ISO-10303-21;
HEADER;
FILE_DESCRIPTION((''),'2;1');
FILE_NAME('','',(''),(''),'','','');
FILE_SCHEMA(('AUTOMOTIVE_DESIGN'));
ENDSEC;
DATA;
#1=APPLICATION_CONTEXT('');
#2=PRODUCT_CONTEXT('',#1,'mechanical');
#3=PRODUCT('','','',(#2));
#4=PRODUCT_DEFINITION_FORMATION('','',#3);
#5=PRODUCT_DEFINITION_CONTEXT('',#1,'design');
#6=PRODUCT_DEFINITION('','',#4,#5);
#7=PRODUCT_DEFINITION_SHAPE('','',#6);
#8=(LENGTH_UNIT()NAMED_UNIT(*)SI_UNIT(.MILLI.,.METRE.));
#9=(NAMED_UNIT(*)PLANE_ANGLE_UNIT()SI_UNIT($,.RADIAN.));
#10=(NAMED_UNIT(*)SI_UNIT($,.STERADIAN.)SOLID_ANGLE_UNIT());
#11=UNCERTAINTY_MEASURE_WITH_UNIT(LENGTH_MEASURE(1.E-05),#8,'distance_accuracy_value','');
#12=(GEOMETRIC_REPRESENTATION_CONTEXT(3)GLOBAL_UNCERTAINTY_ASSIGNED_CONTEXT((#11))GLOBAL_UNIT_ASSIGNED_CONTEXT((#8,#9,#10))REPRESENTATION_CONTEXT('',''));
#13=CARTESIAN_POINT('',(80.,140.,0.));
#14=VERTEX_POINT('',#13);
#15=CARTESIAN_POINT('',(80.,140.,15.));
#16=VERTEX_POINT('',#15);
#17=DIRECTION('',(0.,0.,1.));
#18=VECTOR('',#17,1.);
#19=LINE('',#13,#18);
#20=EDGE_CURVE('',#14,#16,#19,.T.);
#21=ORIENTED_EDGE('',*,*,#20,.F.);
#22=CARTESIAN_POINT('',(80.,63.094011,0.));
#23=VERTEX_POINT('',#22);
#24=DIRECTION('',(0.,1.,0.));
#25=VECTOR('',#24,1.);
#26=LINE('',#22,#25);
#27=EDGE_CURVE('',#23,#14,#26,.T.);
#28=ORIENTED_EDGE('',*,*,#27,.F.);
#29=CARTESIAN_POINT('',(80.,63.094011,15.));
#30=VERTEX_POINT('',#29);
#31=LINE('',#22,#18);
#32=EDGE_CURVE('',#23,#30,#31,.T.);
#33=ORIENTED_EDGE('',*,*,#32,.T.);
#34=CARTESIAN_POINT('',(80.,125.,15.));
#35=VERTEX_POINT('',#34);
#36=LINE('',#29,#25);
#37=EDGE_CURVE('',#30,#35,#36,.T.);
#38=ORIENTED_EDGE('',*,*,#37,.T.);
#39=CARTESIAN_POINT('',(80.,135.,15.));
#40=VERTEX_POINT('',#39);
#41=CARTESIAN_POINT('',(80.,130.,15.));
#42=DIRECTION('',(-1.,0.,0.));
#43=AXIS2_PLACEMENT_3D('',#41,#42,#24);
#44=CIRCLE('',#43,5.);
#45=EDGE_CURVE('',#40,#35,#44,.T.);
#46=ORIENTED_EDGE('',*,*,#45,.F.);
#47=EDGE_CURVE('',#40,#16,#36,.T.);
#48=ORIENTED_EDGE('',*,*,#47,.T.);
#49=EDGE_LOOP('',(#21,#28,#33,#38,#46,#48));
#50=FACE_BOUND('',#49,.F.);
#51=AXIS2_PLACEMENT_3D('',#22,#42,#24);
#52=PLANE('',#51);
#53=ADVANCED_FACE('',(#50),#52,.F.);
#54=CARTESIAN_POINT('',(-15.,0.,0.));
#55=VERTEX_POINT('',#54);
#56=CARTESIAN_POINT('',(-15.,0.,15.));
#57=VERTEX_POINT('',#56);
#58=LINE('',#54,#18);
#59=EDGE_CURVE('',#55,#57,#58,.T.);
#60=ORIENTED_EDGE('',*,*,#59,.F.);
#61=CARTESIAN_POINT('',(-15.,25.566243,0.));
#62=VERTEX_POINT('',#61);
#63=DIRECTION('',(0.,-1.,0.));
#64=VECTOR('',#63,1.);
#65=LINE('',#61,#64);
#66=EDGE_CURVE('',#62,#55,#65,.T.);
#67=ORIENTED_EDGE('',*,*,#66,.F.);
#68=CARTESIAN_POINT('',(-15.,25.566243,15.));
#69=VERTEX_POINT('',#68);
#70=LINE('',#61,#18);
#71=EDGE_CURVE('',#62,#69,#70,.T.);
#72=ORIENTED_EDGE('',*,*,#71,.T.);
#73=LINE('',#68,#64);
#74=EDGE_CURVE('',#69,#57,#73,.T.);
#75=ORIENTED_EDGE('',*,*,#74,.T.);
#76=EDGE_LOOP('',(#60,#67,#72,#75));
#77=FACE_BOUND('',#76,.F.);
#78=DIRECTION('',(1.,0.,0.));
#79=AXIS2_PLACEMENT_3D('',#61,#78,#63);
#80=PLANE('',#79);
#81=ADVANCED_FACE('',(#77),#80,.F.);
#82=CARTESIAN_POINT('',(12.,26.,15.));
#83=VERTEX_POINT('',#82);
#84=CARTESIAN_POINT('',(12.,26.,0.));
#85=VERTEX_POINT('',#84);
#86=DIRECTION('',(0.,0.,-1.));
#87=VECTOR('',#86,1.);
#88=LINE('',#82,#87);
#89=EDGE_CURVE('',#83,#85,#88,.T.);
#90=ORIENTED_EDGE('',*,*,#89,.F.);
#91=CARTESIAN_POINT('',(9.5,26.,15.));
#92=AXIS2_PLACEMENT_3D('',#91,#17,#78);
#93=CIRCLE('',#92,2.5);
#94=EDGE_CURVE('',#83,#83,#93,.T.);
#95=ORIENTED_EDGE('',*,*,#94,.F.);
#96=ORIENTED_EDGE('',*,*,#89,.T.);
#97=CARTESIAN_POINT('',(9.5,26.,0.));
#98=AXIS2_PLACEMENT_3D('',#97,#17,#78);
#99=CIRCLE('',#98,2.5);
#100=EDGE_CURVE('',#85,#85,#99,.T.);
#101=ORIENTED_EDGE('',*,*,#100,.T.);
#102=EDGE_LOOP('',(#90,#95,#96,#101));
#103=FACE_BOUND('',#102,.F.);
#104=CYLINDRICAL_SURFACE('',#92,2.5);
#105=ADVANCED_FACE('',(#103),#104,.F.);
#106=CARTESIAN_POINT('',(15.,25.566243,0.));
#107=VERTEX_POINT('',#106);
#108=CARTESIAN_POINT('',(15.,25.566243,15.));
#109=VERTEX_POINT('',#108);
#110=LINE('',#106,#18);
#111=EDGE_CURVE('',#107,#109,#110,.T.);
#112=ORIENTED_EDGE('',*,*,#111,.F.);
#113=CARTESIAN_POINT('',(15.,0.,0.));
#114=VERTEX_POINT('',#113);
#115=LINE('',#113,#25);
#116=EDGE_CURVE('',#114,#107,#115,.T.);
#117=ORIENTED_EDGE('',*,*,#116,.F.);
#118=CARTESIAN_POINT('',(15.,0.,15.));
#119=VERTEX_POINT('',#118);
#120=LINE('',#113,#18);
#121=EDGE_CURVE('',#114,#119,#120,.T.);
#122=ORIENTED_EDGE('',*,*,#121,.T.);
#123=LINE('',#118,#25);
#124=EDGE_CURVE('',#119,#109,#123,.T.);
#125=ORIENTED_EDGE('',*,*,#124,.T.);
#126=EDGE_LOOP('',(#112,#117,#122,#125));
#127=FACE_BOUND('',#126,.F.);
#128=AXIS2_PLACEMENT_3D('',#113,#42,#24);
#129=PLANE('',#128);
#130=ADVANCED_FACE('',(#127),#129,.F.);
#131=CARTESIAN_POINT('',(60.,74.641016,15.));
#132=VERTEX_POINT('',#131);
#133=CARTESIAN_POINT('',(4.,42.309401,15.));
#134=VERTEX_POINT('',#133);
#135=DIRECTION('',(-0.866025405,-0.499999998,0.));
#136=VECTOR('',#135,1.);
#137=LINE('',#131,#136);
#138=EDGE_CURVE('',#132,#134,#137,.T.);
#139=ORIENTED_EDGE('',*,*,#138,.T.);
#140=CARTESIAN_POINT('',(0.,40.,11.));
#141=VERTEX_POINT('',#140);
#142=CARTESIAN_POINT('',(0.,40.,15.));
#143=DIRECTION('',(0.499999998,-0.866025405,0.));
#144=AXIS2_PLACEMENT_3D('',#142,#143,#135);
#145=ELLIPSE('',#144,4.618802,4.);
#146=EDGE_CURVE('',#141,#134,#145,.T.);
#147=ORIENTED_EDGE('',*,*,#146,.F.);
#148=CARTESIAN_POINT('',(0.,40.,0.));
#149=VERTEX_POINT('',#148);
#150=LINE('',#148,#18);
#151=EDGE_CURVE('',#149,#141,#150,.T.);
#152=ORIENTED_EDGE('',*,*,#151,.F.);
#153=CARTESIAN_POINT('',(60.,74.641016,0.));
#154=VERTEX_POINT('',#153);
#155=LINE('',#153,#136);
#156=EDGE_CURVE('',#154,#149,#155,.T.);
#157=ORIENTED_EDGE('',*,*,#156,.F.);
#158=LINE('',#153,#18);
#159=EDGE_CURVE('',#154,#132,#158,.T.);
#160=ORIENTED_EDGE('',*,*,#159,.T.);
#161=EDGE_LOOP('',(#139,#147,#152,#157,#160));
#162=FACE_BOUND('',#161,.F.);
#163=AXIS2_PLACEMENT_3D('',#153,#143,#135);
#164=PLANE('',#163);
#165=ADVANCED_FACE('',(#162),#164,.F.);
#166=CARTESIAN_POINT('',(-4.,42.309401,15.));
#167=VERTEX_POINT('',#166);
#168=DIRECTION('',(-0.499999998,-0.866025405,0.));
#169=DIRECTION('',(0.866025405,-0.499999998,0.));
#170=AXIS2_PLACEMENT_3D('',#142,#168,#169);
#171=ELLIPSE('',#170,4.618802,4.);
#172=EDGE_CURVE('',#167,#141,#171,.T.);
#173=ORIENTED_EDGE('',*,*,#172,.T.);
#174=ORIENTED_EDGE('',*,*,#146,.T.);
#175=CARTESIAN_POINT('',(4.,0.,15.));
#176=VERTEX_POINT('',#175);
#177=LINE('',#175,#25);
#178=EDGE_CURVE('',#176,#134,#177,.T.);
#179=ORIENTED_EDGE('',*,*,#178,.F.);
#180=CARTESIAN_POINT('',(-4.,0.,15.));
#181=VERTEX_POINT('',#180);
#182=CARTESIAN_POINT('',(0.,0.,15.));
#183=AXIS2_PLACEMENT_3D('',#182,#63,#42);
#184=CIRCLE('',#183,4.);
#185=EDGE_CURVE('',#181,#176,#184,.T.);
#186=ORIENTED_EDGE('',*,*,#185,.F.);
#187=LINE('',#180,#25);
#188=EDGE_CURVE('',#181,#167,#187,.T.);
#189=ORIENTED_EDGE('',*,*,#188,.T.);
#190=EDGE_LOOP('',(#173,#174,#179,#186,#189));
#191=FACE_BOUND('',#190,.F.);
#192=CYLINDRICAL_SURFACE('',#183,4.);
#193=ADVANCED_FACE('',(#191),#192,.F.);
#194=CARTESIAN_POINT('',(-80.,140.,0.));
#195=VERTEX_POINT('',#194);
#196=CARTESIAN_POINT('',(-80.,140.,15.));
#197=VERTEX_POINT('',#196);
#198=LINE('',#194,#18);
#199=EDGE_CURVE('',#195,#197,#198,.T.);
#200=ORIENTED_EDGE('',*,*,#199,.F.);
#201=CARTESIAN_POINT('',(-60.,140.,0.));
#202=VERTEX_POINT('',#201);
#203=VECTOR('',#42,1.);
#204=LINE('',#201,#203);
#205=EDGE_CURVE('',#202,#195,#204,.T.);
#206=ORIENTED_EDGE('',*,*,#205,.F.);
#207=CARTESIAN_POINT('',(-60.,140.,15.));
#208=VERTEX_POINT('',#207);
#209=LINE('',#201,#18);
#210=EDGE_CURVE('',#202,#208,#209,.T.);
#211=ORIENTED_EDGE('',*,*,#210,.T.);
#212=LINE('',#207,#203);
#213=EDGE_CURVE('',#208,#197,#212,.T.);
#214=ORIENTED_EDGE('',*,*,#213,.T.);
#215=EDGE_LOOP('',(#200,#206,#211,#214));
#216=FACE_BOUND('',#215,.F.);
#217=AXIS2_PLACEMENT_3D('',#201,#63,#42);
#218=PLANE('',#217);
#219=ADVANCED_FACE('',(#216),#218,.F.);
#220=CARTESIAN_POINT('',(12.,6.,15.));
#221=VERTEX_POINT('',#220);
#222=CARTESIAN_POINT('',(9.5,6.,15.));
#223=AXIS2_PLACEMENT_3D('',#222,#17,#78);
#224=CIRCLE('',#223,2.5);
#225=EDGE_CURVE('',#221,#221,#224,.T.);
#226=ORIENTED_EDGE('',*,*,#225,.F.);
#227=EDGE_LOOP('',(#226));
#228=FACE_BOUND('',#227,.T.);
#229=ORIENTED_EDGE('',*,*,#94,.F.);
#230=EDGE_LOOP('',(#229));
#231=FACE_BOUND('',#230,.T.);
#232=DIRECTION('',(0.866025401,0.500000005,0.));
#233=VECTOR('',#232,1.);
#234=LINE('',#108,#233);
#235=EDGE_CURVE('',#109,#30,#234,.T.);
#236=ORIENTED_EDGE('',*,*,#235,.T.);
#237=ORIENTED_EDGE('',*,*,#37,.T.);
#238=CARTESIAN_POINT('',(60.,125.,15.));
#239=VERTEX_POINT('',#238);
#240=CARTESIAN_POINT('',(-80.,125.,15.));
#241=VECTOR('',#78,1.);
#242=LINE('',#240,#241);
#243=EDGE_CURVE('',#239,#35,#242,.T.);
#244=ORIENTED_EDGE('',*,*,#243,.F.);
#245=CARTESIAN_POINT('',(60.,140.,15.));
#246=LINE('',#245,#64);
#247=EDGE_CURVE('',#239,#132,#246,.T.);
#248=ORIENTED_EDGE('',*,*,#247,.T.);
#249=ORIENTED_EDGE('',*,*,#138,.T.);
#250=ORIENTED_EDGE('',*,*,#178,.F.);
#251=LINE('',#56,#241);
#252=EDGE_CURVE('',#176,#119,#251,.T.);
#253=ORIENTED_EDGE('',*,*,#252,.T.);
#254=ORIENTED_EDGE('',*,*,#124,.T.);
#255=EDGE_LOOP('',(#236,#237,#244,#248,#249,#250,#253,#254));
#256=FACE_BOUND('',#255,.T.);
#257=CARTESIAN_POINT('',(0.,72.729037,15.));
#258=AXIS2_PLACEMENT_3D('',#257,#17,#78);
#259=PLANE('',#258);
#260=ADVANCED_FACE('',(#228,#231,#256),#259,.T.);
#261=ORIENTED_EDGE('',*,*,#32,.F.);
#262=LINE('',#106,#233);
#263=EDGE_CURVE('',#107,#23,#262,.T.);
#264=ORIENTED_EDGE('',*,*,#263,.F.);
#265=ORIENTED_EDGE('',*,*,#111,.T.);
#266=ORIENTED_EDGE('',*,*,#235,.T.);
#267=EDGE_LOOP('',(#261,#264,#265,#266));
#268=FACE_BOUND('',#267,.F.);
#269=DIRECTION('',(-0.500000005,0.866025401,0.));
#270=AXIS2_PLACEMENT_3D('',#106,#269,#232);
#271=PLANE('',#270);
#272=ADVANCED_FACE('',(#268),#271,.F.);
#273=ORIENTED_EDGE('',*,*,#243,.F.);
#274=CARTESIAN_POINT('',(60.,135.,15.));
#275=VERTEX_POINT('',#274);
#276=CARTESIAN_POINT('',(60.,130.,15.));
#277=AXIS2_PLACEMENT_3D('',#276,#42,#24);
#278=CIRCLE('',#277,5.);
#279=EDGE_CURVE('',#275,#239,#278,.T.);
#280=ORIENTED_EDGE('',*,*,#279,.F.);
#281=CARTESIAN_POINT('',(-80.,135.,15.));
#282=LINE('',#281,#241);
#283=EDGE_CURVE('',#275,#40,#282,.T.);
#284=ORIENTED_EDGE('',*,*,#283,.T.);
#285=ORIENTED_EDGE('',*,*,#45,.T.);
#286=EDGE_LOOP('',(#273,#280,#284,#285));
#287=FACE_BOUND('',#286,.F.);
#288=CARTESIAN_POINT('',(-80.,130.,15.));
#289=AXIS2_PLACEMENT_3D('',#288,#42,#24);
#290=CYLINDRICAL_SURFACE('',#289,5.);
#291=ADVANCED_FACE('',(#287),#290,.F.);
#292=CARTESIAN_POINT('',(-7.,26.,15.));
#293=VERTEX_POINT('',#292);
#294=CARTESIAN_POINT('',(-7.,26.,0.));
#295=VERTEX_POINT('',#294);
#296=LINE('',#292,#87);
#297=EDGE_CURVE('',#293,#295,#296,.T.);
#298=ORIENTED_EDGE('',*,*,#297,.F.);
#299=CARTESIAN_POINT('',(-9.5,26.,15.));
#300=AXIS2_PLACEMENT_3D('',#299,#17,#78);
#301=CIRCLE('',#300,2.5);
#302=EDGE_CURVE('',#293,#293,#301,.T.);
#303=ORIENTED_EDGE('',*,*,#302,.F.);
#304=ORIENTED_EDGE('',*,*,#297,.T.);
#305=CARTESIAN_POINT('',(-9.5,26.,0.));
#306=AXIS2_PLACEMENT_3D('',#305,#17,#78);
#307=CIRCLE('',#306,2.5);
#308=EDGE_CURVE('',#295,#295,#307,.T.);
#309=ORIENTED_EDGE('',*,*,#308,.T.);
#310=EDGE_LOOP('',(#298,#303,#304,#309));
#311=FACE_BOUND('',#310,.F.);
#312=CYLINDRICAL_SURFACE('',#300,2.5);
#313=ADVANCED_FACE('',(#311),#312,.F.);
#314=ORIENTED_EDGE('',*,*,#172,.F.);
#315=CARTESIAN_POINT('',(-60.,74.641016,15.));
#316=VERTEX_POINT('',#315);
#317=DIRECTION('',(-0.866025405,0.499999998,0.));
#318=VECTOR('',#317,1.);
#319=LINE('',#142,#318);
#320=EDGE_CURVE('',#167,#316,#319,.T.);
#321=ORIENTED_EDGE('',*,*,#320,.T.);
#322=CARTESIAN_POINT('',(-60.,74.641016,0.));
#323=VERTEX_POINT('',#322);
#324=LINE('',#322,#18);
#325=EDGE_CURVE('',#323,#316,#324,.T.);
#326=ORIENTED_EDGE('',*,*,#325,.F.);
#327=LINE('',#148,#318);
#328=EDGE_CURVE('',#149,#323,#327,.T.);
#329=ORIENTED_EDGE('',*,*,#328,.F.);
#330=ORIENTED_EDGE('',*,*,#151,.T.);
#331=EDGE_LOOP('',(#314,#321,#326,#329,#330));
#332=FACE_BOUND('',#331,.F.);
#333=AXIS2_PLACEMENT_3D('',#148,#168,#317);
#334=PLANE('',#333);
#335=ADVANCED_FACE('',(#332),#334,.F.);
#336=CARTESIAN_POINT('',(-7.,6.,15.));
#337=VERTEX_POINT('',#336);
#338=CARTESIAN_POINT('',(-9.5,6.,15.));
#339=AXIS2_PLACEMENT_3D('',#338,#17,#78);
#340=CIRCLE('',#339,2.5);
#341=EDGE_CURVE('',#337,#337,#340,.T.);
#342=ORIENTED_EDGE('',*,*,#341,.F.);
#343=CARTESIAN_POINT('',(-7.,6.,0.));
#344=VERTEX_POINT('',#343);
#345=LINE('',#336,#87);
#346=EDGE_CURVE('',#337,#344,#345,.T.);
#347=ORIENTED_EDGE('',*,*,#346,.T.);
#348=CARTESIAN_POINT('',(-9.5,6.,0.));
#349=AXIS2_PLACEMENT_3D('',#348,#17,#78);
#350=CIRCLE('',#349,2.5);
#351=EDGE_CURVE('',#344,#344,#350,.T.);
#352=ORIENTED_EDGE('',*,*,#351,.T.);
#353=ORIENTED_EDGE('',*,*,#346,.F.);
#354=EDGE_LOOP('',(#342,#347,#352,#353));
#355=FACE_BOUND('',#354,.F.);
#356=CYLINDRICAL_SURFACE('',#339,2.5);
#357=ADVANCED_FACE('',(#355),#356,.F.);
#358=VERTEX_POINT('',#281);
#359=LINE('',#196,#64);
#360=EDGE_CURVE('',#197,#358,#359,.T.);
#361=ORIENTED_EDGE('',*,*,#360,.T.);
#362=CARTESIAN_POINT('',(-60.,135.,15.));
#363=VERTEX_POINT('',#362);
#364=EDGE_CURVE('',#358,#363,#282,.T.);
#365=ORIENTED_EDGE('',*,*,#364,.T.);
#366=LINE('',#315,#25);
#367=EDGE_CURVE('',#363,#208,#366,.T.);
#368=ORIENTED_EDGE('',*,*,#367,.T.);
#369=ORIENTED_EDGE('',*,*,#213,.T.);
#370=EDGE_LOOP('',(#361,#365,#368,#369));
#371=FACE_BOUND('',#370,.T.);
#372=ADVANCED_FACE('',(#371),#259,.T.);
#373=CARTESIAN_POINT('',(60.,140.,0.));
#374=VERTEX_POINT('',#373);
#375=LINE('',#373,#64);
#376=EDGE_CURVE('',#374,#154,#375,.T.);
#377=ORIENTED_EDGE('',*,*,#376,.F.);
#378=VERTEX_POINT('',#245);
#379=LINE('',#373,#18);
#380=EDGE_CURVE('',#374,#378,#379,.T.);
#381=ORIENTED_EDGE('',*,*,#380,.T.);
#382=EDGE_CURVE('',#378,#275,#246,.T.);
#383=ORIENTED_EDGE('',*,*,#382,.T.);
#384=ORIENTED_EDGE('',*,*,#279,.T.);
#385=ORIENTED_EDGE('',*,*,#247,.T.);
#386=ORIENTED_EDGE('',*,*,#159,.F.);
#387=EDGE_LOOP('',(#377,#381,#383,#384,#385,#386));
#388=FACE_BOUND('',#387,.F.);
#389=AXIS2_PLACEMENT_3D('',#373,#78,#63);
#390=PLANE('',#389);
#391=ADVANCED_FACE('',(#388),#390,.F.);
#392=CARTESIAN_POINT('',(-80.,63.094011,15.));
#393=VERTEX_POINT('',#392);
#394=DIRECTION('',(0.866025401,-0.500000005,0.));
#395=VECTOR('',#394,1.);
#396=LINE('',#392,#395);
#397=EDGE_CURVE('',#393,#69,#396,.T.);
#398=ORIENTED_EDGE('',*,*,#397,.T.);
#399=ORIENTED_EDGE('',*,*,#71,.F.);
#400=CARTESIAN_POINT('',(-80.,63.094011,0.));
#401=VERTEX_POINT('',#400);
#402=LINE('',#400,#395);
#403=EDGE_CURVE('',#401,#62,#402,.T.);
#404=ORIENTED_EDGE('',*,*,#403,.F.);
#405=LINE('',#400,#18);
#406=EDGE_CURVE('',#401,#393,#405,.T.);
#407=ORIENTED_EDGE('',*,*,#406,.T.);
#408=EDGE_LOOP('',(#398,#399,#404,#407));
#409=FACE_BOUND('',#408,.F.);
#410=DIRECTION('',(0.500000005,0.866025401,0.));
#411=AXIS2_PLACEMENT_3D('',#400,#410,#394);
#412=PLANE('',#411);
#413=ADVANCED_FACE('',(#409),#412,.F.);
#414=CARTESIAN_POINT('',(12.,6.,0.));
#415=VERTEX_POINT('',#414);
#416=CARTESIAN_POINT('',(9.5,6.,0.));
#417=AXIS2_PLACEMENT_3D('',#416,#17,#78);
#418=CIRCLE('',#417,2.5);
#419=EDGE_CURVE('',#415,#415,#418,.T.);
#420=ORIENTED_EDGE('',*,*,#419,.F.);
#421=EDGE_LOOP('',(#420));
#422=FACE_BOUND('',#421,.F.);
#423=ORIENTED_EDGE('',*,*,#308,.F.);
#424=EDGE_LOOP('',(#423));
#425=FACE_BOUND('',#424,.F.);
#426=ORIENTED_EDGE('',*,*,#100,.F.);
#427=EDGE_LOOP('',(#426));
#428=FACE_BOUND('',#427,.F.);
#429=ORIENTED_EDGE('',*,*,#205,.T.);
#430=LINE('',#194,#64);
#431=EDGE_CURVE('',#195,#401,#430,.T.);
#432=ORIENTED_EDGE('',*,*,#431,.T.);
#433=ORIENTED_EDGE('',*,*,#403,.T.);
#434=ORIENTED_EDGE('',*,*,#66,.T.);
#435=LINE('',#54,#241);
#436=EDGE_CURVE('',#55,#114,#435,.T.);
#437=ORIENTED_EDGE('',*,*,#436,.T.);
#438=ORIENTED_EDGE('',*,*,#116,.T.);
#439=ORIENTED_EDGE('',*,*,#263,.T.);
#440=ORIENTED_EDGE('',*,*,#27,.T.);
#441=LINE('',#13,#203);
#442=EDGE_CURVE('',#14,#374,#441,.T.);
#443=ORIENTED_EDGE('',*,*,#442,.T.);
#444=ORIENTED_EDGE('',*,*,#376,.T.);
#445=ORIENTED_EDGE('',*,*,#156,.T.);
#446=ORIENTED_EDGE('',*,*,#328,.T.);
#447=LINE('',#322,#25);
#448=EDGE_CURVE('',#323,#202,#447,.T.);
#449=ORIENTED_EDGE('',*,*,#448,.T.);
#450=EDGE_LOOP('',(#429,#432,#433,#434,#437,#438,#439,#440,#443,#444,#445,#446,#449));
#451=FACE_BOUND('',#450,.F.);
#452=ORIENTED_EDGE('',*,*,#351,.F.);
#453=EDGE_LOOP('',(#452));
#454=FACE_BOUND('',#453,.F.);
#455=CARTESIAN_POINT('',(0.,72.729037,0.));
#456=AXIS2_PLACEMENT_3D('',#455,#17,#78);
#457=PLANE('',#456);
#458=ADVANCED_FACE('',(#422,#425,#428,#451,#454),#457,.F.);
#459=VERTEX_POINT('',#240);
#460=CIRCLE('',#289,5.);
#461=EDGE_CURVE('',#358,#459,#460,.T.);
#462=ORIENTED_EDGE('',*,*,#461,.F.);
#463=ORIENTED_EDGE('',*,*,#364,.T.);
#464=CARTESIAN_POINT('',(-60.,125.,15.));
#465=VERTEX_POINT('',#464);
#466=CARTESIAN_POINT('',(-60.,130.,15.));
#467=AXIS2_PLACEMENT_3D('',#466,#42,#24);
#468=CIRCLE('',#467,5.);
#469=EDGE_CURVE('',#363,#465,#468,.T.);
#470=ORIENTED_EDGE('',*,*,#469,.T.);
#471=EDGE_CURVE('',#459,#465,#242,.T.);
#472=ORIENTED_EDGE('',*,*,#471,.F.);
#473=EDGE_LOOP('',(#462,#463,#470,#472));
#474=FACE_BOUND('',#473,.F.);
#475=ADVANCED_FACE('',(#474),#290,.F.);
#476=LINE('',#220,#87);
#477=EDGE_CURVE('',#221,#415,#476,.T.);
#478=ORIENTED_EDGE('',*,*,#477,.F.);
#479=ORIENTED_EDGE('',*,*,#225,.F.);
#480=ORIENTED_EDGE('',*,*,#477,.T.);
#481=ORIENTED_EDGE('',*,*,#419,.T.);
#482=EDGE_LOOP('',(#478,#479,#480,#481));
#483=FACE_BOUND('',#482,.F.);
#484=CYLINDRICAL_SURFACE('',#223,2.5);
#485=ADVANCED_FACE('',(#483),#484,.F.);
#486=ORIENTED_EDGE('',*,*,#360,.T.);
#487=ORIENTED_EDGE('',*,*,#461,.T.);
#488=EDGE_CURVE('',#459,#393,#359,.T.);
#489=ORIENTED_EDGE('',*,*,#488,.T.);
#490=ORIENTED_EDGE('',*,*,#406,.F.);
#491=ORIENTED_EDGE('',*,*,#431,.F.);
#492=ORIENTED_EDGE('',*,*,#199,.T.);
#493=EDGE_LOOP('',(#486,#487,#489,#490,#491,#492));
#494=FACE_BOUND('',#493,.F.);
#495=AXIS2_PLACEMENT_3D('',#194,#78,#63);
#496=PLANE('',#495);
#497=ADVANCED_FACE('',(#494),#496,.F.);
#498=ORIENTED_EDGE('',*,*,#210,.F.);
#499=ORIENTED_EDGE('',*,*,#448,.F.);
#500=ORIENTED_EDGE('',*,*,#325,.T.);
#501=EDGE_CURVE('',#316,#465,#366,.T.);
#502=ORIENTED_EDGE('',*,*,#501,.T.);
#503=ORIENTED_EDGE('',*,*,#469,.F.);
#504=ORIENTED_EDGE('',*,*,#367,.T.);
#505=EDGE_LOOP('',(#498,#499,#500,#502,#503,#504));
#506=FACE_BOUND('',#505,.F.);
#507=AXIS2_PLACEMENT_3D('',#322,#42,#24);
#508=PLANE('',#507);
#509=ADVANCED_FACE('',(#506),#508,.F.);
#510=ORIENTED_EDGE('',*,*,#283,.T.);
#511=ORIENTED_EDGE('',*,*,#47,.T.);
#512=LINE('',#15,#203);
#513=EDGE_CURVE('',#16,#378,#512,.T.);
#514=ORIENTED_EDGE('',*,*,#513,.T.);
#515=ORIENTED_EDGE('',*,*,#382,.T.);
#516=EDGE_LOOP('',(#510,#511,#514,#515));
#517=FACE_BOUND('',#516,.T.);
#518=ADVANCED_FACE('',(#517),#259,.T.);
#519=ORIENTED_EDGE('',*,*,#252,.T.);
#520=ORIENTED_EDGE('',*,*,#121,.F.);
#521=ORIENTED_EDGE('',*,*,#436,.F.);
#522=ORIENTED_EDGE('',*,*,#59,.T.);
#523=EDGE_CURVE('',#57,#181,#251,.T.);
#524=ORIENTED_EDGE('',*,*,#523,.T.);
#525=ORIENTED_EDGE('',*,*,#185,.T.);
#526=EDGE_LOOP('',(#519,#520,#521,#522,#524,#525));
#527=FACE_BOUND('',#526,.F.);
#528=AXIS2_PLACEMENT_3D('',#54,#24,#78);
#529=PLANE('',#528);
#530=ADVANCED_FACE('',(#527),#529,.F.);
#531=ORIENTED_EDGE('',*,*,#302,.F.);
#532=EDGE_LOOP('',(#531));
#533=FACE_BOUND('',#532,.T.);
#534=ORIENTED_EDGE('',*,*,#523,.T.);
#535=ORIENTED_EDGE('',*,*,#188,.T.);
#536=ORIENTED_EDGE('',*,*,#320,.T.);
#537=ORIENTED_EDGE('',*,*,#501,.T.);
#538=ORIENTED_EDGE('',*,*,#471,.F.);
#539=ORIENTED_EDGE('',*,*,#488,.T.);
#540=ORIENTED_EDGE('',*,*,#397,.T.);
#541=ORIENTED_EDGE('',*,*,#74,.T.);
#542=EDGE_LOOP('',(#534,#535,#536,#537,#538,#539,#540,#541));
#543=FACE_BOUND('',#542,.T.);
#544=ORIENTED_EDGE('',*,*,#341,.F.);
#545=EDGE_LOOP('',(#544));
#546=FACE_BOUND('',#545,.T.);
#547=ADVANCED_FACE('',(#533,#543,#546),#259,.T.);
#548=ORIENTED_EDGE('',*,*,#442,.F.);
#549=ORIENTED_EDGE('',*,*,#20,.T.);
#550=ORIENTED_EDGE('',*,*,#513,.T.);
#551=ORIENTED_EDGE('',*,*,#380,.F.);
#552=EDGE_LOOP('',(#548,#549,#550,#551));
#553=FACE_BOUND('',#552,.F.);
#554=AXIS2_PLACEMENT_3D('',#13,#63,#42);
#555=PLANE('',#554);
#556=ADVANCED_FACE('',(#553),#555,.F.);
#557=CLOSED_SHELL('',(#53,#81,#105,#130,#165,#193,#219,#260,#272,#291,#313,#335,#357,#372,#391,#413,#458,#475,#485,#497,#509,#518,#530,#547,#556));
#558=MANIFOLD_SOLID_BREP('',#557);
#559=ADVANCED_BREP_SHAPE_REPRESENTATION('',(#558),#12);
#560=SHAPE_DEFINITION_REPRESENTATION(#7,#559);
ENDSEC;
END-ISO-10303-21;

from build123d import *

# Parameters (mm, degrees)
F1_DEPTH = 15
F3_DEPTH = 50
F5_DEPTH = 160
F6_R     = 2.5
F7_DEPTH = 15


with BuildPart() as f1:
    # F0 (on Top) → F1 (new body)
    with BuildSketch(Plane.XY):
        Polygon((-15, 0), (15, 0), (15, 25.566243), (80, 63.094011), (80, 140), (60, 140), (60, 74.641016), (0, 40), (-60, 74.641016), (-60, 140), (-80, 140), (-80, 63.094011), (-15, 25.566243), align=None)
    extrude(amount=F1_DEPTH)

    # F2 (on face) → F3 (cut)
    with BuildSketch(Plane.XZ):
        with BuildLine():
            Line((4, 15), (-4, 15))
            ThreePointArc((-4, 15), (0, 11), (4, 15))
        make_face()
    extrude(amount=-F3_DEPTH, mode=Mode.SUBTRACT)

    # F4 (on face) → F5 (cut, through all)
    with BuildSketch(Plane(origin=(-80, 0, 0), x_dir=(0, -1, 0), z_dir=(-1, 0, 0))):
        with BuildLine():
            Line((-125, 15), (-135, 15))
            ThreePointArc((-135, 15), (-130, 10), (-125, 15))
        make_face()
    extrude(amount=-F5_DEPTH, mode=Mode.SUBTRACT)

    # F6 (on face) → F7 (cut, through all)
    with BuildSketch(Plane.XY.offset(15)):
        with Locations((-9.5, 6)):
            Circle(F6_R)
        with Locations((-9.5, 26)):
            Circle(F6_R)
        with Locations((9.5, 6)):
            Circle(F6_R)
        with Locations((9.5, 26)):
            Circle(F6_R)
    extrude(amount=-F7_DEPTH, mode=Mode.SUBTRACT)


solid = f1.part
